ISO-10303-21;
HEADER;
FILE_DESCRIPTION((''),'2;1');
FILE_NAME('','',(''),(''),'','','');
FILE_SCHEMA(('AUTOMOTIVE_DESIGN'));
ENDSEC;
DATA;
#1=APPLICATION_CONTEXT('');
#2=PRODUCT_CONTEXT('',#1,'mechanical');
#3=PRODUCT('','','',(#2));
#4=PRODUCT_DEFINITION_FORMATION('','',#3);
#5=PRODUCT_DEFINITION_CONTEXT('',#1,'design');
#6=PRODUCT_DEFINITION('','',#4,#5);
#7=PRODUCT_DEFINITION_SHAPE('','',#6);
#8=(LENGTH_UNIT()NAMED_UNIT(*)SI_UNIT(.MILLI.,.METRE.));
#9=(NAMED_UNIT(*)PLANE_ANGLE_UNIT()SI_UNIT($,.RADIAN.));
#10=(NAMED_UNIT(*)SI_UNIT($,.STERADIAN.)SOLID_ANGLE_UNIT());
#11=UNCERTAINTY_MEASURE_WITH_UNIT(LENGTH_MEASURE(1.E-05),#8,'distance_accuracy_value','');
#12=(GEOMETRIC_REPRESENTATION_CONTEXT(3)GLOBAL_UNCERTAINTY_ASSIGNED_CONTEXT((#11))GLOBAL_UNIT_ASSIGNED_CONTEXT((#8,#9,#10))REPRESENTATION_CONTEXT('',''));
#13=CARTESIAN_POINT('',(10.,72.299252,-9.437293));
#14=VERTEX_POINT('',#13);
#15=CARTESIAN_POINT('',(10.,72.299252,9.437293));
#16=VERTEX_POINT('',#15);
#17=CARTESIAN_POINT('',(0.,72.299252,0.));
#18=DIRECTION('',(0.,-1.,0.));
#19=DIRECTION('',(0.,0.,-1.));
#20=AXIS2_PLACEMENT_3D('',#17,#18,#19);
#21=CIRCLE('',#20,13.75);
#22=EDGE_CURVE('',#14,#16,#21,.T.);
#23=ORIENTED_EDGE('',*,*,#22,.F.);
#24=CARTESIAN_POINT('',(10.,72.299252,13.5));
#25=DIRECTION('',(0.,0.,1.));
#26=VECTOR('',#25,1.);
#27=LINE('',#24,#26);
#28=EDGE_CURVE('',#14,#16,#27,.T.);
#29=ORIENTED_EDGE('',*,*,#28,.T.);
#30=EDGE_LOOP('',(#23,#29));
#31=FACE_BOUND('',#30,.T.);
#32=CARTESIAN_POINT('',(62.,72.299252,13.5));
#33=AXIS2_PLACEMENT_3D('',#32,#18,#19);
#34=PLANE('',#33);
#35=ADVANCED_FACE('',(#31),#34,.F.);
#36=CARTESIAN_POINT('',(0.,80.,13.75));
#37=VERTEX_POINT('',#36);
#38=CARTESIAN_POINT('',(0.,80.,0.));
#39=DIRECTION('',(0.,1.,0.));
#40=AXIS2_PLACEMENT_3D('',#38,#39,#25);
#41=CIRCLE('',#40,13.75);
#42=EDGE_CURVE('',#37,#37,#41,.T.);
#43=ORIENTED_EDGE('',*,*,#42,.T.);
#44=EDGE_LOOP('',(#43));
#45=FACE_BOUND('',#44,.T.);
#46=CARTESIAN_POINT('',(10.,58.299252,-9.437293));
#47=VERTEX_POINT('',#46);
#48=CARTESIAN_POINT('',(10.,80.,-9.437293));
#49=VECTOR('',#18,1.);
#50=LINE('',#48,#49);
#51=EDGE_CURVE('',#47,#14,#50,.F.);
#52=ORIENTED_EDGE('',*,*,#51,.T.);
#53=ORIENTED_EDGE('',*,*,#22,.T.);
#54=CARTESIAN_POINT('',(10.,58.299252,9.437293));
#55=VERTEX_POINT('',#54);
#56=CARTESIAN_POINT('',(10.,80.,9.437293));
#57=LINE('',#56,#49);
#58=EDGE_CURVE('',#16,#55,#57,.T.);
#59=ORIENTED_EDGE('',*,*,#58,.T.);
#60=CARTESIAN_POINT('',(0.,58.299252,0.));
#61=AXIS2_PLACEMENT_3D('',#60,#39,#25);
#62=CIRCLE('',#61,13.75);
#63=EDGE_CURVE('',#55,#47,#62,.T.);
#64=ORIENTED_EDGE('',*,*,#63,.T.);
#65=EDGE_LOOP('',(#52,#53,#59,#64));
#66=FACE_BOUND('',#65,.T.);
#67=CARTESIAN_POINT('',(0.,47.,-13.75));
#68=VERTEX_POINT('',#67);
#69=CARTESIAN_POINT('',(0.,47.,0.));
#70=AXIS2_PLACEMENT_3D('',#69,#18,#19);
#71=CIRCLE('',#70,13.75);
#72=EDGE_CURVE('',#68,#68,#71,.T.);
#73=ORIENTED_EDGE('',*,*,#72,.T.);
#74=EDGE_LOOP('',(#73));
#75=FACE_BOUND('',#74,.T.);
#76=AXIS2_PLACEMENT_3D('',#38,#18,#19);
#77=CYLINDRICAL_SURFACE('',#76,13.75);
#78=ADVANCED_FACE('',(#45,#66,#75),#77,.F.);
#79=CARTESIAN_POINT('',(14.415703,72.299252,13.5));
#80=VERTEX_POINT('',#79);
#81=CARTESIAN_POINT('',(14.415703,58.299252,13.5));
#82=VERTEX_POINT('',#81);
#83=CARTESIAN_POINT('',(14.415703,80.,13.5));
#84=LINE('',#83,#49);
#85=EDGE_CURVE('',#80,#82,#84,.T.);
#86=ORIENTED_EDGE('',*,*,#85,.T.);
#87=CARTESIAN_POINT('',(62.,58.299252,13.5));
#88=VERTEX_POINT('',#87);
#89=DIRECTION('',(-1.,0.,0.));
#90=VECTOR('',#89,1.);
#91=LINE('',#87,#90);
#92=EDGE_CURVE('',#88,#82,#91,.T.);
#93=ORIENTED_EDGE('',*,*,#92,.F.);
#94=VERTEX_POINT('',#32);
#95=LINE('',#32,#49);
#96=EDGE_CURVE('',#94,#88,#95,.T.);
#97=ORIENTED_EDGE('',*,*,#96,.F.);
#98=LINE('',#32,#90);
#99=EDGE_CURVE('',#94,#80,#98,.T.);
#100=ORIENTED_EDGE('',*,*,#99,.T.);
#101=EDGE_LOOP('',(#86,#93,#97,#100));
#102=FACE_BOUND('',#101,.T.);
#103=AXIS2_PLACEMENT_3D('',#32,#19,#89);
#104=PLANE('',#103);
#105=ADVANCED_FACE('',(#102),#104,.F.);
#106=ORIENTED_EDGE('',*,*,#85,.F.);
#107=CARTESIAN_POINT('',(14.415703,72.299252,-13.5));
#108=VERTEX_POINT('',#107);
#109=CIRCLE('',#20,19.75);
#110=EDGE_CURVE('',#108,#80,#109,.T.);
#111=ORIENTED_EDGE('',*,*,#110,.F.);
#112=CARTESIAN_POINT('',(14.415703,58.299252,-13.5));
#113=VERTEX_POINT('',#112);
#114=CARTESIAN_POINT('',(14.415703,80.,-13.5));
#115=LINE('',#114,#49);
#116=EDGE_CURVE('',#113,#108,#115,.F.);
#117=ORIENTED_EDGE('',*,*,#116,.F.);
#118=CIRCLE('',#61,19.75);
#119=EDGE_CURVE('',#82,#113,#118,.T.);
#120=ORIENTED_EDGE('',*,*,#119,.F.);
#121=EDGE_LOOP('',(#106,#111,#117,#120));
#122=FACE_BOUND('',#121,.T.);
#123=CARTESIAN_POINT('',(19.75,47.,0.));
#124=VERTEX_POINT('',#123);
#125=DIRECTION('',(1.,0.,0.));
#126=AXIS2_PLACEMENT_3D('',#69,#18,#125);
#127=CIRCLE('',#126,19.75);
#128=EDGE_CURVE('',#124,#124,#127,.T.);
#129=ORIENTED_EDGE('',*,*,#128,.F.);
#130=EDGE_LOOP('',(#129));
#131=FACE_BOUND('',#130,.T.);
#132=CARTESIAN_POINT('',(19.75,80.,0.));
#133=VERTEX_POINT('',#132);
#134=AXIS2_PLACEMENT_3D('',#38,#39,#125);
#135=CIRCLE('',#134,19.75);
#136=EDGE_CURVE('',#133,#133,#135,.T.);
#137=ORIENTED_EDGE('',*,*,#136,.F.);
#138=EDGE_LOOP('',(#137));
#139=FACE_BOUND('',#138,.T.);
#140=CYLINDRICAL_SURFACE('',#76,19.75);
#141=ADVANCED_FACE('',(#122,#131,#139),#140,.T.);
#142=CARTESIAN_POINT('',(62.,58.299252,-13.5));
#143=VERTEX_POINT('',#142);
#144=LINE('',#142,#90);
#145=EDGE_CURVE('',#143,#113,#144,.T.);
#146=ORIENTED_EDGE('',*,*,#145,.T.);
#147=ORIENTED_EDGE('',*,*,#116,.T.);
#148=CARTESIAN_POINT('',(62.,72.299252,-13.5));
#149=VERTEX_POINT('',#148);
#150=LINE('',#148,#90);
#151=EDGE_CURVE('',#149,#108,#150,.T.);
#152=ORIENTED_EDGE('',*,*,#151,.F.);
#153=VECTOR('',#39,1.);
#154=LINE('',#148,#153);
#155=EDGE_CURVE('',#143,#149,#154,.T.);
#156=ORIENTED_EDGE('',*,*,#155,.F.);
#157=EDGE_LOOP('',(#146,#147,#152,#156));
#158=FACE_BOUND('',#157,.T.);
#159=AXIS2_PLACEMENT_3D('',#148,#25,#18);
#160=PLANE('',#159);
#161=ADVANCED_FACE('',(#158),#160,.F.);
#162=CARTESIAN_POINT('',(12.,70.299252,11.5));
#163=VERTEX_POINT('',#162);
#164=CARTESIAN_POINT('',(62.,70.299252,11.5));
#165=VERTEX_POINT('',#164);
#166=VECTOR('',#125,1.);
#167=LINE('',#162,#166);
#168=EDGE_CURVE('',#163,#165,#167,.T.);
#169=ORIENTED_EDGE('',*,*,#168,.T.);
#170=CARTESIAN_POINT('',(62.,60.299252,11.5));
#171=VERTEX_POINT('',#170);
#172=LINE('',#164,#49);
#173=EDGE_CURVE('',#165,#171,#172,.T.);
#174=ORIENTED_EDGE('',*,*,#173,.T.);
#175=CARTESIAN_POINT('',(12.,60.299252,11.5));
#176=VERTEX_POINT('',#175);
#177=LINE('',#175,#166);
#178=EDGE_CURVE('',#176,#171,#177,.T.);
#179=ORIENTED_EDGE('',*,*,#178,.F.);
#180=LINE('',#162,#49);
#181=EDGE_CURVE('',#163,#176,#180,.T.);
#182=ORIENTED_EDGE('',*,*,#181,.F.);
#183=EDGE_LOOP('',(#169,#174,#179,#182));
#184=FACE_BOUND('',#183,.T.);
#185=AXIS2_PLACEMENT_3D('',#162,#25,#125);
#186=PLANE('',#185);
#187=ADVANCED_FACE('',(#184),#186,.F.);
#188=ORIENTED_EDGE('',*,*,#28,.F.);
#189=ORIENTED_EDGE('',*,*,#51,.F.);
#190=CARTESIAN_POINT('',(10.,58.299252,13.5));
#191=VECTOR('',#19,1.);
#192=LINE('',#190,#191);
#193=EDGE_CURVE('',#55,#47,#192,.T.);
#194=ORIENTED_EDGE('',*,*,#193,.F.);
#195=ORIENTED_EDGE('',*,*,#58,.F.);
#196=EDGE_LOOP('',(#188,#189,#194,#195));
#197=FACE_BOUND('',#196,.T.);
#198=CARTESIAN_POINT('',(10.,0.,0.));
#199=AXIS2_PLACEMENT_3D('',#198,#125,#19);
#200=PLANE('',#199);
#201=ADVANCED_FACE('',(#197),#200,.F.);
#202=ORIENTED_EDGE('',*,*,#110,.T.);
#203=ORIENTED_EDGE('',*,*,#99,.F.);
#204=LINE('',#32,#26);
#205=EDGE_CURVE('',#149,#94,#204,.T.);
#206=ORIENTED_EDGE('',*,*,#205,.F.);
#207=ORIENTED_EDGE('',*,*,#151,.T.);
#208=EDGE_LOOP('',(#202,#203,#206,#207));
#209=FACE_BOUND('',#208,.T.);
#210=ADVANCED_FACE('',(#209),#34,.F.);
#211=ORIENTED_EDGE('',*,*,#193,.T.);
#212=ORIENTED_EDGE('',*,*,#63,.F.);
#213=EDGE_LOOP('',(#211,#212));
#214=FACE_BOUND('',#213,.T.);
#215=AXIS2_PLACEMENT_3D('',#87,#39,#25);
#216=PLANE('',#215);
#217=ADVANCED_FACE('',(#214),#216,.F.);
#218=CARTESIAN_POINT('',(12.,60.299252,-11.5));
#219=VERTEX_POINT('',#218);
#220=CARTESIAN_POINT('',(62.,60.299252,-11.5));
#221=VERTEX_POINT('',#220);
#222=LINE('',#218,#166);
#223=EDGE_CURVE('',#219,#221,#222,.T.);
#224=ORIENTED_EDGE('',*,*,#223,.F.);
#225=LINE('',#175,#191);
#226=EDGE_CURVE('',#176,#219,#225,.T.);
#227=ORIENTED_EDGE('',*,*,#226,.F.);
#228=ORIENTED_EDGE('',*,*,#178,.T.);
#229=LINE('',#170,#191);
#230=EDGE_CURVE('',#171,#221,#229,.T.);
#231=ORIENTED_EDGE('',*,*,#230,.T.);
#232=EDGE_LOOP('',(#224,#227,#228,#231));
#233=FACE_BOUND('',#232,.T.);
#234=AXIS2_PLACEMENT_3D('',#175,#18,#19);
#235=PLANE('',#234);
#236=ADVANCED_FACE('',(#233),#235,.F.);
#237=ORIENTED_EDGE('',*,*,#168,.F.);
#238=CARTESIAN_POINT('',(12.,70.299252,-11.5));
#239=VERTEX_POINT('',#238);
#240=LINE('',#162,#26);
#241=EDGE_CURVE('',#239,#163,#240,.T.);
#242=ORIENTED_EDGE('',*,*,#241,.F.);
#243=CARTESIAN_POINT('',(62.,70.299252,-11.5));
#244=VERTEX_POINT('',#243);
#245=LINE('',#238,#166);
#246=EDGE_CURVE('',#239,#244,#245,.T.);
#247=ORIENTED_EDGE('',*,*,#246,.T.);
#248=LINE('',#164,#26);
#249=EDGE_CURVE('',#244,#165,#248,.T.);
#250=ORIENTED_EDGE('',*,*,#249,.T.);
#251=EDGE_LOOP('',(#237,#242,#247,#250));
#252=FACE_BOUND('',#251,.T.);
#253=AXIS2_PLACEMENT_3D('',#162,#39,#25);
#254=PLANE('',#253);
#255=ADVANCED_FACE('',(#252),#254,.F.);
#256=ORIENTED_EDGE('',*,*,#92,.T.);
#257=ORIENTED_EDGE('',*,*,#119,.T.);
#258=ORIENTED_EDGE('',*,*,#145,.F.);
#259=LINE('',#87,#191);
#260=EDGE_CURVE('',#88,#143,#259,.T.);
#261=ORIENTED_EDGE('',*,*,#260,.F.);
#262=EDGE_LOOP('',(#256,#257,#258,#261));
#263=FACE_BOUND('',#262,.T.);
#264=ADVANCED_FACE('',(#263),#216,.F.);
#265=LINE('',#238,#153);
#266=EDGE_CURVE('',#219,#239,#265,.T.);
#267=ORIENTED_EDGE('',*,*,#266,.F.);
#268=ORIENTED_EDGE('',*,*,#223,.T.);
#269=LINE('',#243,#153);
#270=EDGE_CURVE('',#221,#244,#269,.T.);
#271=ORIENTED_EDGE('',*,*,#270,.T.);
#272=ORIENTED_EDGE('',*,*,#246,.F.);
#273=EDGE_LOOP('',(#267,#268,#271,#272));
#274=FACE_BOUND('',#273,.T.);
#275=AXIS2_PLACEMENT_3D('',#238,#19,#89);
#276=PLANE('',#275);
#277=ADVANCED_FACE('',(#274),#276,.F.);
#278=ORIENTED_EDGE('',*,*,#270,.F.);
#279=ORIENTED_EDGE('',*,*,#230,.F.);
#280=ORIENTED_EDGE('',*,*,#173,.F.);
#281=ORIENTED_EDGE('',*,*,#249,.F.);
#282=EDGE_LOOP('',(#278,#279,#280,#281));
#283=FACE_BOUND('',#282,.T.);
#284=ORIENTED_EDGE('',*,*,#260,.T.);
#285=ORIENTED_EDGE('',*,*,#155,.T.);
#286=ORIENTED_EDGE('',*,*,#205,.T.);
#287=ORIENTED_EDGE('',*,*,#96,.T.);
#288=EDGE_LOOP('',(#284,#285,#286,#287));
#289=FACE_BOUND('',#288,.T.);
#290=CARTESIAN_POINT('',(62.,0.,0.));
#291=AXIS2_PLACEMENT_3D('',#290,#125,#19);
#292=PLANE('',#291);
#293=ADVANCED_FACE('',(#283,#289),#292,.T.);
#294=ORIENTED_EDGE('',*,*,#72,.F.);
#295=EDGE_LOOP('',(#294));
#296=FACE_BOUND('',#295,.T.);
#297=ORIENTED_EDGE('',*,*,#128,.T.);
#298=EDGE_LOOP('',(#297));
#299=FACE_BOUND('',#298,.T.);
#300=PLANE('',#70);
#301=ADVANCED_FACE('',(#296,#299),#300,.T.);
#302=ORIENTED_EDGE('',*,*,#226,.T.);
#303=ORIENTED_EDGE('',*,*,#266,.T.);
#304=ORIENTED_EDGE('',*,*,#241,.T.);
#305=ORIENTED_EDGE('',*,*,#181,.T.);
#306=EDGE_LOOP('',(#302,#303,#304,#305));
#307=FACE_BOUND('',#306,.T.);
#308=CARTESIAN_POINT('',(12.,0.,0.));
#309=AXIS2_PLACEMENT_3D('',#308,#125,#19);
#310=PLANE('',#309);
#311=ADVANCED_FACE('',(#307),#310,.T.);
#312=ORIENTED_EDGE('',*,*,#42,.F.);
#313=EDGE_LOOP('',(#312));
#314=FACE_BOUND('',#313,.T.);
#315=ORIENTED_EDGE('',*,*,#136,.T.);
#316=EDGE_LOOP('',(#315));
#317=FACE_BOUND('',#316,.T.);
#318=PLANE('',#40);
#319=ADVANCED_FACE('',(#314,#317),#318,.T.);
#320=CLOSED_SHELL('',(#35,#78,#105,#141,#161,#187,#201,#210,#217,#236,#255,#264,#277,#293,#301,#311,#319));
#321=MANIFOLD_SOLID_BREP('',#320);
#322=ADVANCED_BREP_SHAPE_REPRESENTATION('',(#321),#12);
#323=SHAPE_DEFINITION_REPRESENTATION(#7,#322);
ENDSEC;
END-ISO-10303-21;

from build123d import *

# Parameters (mm, degrees)
SKETCH_356_R              = 19.75
SKETCH_356_R_2            = 13.75
EXTRUDE_6_27_5_3_10_DEPTH = 80
SKETCH_7_W                = 27
SKETCH_7_H                = 14
EXTRUDE_2_DEPTH           = 52
SKETCH_8_W                = 23
SKETCH_8_H                = 10
CUT_EXTRUDE_1_DEPTH       = 50
SKETCH_9_R                = 19.75
SKETCH_9_R_2              = 13.75
CUT_EXTRUDE_1_2_DEPTH     = 47


with BuildPart() as part:
    # Sketch 356 → 6分管 內直徑27.5厚度3長度10 (new body)
    with BuildSketch(Plane(origin=(0, 0, 0), x_dir=(1, 0, 0), z_dir=(0, 1, 0))):
        Circle(SKETCH_356_R)
        Circle(SKETCH_356_R_2, mode=Mode.SUBTRACT)
    extrude(amount=EXTRUDE_6_27_5_3_10_DEPTH)

    # 草圖7 → 填料-伸長2 (add)
    with BuildSketch(Plane(origin=(10, 0, 0), x_dir=(0, 0, -1), z_dir=(1, 0, 0))):
        with Locations((0, 65.299252319)):
            Rectangle(SKETCH_7_W, SKETCH_7_H)
    extrude(amount=EXTRUDE_2_DEPTH)

    # 草圖8 → Cut-Extrude 1 (cut)
    with BuildSketch(Plane(origin=(62, 0, 0), x_dir=(0, 0, -1), z_dir=(1, 0, 0))):
        with Locations((0, 65.299252319)):
            Rectangle(SKETCH_8_W, SKETCH_8_H)
    extrude(amount=-CUT_EXTRUDE_1_DEPTH, mode=Mode.SUBTRACT)

    # 草圖9 → Cut-Extrude 1 2 (cut)
    with BuildSketch(Plane.XZ):
        Circle(SKETCH_9_R)
        Circle(SKETCH_9_R_2, mode=Mode.SUBTRACT)
    extrude(amount=-CUT_EXTRUDE_1_2_DEPTH, mode=Mode.SUBTRACT)


solid = part.part
